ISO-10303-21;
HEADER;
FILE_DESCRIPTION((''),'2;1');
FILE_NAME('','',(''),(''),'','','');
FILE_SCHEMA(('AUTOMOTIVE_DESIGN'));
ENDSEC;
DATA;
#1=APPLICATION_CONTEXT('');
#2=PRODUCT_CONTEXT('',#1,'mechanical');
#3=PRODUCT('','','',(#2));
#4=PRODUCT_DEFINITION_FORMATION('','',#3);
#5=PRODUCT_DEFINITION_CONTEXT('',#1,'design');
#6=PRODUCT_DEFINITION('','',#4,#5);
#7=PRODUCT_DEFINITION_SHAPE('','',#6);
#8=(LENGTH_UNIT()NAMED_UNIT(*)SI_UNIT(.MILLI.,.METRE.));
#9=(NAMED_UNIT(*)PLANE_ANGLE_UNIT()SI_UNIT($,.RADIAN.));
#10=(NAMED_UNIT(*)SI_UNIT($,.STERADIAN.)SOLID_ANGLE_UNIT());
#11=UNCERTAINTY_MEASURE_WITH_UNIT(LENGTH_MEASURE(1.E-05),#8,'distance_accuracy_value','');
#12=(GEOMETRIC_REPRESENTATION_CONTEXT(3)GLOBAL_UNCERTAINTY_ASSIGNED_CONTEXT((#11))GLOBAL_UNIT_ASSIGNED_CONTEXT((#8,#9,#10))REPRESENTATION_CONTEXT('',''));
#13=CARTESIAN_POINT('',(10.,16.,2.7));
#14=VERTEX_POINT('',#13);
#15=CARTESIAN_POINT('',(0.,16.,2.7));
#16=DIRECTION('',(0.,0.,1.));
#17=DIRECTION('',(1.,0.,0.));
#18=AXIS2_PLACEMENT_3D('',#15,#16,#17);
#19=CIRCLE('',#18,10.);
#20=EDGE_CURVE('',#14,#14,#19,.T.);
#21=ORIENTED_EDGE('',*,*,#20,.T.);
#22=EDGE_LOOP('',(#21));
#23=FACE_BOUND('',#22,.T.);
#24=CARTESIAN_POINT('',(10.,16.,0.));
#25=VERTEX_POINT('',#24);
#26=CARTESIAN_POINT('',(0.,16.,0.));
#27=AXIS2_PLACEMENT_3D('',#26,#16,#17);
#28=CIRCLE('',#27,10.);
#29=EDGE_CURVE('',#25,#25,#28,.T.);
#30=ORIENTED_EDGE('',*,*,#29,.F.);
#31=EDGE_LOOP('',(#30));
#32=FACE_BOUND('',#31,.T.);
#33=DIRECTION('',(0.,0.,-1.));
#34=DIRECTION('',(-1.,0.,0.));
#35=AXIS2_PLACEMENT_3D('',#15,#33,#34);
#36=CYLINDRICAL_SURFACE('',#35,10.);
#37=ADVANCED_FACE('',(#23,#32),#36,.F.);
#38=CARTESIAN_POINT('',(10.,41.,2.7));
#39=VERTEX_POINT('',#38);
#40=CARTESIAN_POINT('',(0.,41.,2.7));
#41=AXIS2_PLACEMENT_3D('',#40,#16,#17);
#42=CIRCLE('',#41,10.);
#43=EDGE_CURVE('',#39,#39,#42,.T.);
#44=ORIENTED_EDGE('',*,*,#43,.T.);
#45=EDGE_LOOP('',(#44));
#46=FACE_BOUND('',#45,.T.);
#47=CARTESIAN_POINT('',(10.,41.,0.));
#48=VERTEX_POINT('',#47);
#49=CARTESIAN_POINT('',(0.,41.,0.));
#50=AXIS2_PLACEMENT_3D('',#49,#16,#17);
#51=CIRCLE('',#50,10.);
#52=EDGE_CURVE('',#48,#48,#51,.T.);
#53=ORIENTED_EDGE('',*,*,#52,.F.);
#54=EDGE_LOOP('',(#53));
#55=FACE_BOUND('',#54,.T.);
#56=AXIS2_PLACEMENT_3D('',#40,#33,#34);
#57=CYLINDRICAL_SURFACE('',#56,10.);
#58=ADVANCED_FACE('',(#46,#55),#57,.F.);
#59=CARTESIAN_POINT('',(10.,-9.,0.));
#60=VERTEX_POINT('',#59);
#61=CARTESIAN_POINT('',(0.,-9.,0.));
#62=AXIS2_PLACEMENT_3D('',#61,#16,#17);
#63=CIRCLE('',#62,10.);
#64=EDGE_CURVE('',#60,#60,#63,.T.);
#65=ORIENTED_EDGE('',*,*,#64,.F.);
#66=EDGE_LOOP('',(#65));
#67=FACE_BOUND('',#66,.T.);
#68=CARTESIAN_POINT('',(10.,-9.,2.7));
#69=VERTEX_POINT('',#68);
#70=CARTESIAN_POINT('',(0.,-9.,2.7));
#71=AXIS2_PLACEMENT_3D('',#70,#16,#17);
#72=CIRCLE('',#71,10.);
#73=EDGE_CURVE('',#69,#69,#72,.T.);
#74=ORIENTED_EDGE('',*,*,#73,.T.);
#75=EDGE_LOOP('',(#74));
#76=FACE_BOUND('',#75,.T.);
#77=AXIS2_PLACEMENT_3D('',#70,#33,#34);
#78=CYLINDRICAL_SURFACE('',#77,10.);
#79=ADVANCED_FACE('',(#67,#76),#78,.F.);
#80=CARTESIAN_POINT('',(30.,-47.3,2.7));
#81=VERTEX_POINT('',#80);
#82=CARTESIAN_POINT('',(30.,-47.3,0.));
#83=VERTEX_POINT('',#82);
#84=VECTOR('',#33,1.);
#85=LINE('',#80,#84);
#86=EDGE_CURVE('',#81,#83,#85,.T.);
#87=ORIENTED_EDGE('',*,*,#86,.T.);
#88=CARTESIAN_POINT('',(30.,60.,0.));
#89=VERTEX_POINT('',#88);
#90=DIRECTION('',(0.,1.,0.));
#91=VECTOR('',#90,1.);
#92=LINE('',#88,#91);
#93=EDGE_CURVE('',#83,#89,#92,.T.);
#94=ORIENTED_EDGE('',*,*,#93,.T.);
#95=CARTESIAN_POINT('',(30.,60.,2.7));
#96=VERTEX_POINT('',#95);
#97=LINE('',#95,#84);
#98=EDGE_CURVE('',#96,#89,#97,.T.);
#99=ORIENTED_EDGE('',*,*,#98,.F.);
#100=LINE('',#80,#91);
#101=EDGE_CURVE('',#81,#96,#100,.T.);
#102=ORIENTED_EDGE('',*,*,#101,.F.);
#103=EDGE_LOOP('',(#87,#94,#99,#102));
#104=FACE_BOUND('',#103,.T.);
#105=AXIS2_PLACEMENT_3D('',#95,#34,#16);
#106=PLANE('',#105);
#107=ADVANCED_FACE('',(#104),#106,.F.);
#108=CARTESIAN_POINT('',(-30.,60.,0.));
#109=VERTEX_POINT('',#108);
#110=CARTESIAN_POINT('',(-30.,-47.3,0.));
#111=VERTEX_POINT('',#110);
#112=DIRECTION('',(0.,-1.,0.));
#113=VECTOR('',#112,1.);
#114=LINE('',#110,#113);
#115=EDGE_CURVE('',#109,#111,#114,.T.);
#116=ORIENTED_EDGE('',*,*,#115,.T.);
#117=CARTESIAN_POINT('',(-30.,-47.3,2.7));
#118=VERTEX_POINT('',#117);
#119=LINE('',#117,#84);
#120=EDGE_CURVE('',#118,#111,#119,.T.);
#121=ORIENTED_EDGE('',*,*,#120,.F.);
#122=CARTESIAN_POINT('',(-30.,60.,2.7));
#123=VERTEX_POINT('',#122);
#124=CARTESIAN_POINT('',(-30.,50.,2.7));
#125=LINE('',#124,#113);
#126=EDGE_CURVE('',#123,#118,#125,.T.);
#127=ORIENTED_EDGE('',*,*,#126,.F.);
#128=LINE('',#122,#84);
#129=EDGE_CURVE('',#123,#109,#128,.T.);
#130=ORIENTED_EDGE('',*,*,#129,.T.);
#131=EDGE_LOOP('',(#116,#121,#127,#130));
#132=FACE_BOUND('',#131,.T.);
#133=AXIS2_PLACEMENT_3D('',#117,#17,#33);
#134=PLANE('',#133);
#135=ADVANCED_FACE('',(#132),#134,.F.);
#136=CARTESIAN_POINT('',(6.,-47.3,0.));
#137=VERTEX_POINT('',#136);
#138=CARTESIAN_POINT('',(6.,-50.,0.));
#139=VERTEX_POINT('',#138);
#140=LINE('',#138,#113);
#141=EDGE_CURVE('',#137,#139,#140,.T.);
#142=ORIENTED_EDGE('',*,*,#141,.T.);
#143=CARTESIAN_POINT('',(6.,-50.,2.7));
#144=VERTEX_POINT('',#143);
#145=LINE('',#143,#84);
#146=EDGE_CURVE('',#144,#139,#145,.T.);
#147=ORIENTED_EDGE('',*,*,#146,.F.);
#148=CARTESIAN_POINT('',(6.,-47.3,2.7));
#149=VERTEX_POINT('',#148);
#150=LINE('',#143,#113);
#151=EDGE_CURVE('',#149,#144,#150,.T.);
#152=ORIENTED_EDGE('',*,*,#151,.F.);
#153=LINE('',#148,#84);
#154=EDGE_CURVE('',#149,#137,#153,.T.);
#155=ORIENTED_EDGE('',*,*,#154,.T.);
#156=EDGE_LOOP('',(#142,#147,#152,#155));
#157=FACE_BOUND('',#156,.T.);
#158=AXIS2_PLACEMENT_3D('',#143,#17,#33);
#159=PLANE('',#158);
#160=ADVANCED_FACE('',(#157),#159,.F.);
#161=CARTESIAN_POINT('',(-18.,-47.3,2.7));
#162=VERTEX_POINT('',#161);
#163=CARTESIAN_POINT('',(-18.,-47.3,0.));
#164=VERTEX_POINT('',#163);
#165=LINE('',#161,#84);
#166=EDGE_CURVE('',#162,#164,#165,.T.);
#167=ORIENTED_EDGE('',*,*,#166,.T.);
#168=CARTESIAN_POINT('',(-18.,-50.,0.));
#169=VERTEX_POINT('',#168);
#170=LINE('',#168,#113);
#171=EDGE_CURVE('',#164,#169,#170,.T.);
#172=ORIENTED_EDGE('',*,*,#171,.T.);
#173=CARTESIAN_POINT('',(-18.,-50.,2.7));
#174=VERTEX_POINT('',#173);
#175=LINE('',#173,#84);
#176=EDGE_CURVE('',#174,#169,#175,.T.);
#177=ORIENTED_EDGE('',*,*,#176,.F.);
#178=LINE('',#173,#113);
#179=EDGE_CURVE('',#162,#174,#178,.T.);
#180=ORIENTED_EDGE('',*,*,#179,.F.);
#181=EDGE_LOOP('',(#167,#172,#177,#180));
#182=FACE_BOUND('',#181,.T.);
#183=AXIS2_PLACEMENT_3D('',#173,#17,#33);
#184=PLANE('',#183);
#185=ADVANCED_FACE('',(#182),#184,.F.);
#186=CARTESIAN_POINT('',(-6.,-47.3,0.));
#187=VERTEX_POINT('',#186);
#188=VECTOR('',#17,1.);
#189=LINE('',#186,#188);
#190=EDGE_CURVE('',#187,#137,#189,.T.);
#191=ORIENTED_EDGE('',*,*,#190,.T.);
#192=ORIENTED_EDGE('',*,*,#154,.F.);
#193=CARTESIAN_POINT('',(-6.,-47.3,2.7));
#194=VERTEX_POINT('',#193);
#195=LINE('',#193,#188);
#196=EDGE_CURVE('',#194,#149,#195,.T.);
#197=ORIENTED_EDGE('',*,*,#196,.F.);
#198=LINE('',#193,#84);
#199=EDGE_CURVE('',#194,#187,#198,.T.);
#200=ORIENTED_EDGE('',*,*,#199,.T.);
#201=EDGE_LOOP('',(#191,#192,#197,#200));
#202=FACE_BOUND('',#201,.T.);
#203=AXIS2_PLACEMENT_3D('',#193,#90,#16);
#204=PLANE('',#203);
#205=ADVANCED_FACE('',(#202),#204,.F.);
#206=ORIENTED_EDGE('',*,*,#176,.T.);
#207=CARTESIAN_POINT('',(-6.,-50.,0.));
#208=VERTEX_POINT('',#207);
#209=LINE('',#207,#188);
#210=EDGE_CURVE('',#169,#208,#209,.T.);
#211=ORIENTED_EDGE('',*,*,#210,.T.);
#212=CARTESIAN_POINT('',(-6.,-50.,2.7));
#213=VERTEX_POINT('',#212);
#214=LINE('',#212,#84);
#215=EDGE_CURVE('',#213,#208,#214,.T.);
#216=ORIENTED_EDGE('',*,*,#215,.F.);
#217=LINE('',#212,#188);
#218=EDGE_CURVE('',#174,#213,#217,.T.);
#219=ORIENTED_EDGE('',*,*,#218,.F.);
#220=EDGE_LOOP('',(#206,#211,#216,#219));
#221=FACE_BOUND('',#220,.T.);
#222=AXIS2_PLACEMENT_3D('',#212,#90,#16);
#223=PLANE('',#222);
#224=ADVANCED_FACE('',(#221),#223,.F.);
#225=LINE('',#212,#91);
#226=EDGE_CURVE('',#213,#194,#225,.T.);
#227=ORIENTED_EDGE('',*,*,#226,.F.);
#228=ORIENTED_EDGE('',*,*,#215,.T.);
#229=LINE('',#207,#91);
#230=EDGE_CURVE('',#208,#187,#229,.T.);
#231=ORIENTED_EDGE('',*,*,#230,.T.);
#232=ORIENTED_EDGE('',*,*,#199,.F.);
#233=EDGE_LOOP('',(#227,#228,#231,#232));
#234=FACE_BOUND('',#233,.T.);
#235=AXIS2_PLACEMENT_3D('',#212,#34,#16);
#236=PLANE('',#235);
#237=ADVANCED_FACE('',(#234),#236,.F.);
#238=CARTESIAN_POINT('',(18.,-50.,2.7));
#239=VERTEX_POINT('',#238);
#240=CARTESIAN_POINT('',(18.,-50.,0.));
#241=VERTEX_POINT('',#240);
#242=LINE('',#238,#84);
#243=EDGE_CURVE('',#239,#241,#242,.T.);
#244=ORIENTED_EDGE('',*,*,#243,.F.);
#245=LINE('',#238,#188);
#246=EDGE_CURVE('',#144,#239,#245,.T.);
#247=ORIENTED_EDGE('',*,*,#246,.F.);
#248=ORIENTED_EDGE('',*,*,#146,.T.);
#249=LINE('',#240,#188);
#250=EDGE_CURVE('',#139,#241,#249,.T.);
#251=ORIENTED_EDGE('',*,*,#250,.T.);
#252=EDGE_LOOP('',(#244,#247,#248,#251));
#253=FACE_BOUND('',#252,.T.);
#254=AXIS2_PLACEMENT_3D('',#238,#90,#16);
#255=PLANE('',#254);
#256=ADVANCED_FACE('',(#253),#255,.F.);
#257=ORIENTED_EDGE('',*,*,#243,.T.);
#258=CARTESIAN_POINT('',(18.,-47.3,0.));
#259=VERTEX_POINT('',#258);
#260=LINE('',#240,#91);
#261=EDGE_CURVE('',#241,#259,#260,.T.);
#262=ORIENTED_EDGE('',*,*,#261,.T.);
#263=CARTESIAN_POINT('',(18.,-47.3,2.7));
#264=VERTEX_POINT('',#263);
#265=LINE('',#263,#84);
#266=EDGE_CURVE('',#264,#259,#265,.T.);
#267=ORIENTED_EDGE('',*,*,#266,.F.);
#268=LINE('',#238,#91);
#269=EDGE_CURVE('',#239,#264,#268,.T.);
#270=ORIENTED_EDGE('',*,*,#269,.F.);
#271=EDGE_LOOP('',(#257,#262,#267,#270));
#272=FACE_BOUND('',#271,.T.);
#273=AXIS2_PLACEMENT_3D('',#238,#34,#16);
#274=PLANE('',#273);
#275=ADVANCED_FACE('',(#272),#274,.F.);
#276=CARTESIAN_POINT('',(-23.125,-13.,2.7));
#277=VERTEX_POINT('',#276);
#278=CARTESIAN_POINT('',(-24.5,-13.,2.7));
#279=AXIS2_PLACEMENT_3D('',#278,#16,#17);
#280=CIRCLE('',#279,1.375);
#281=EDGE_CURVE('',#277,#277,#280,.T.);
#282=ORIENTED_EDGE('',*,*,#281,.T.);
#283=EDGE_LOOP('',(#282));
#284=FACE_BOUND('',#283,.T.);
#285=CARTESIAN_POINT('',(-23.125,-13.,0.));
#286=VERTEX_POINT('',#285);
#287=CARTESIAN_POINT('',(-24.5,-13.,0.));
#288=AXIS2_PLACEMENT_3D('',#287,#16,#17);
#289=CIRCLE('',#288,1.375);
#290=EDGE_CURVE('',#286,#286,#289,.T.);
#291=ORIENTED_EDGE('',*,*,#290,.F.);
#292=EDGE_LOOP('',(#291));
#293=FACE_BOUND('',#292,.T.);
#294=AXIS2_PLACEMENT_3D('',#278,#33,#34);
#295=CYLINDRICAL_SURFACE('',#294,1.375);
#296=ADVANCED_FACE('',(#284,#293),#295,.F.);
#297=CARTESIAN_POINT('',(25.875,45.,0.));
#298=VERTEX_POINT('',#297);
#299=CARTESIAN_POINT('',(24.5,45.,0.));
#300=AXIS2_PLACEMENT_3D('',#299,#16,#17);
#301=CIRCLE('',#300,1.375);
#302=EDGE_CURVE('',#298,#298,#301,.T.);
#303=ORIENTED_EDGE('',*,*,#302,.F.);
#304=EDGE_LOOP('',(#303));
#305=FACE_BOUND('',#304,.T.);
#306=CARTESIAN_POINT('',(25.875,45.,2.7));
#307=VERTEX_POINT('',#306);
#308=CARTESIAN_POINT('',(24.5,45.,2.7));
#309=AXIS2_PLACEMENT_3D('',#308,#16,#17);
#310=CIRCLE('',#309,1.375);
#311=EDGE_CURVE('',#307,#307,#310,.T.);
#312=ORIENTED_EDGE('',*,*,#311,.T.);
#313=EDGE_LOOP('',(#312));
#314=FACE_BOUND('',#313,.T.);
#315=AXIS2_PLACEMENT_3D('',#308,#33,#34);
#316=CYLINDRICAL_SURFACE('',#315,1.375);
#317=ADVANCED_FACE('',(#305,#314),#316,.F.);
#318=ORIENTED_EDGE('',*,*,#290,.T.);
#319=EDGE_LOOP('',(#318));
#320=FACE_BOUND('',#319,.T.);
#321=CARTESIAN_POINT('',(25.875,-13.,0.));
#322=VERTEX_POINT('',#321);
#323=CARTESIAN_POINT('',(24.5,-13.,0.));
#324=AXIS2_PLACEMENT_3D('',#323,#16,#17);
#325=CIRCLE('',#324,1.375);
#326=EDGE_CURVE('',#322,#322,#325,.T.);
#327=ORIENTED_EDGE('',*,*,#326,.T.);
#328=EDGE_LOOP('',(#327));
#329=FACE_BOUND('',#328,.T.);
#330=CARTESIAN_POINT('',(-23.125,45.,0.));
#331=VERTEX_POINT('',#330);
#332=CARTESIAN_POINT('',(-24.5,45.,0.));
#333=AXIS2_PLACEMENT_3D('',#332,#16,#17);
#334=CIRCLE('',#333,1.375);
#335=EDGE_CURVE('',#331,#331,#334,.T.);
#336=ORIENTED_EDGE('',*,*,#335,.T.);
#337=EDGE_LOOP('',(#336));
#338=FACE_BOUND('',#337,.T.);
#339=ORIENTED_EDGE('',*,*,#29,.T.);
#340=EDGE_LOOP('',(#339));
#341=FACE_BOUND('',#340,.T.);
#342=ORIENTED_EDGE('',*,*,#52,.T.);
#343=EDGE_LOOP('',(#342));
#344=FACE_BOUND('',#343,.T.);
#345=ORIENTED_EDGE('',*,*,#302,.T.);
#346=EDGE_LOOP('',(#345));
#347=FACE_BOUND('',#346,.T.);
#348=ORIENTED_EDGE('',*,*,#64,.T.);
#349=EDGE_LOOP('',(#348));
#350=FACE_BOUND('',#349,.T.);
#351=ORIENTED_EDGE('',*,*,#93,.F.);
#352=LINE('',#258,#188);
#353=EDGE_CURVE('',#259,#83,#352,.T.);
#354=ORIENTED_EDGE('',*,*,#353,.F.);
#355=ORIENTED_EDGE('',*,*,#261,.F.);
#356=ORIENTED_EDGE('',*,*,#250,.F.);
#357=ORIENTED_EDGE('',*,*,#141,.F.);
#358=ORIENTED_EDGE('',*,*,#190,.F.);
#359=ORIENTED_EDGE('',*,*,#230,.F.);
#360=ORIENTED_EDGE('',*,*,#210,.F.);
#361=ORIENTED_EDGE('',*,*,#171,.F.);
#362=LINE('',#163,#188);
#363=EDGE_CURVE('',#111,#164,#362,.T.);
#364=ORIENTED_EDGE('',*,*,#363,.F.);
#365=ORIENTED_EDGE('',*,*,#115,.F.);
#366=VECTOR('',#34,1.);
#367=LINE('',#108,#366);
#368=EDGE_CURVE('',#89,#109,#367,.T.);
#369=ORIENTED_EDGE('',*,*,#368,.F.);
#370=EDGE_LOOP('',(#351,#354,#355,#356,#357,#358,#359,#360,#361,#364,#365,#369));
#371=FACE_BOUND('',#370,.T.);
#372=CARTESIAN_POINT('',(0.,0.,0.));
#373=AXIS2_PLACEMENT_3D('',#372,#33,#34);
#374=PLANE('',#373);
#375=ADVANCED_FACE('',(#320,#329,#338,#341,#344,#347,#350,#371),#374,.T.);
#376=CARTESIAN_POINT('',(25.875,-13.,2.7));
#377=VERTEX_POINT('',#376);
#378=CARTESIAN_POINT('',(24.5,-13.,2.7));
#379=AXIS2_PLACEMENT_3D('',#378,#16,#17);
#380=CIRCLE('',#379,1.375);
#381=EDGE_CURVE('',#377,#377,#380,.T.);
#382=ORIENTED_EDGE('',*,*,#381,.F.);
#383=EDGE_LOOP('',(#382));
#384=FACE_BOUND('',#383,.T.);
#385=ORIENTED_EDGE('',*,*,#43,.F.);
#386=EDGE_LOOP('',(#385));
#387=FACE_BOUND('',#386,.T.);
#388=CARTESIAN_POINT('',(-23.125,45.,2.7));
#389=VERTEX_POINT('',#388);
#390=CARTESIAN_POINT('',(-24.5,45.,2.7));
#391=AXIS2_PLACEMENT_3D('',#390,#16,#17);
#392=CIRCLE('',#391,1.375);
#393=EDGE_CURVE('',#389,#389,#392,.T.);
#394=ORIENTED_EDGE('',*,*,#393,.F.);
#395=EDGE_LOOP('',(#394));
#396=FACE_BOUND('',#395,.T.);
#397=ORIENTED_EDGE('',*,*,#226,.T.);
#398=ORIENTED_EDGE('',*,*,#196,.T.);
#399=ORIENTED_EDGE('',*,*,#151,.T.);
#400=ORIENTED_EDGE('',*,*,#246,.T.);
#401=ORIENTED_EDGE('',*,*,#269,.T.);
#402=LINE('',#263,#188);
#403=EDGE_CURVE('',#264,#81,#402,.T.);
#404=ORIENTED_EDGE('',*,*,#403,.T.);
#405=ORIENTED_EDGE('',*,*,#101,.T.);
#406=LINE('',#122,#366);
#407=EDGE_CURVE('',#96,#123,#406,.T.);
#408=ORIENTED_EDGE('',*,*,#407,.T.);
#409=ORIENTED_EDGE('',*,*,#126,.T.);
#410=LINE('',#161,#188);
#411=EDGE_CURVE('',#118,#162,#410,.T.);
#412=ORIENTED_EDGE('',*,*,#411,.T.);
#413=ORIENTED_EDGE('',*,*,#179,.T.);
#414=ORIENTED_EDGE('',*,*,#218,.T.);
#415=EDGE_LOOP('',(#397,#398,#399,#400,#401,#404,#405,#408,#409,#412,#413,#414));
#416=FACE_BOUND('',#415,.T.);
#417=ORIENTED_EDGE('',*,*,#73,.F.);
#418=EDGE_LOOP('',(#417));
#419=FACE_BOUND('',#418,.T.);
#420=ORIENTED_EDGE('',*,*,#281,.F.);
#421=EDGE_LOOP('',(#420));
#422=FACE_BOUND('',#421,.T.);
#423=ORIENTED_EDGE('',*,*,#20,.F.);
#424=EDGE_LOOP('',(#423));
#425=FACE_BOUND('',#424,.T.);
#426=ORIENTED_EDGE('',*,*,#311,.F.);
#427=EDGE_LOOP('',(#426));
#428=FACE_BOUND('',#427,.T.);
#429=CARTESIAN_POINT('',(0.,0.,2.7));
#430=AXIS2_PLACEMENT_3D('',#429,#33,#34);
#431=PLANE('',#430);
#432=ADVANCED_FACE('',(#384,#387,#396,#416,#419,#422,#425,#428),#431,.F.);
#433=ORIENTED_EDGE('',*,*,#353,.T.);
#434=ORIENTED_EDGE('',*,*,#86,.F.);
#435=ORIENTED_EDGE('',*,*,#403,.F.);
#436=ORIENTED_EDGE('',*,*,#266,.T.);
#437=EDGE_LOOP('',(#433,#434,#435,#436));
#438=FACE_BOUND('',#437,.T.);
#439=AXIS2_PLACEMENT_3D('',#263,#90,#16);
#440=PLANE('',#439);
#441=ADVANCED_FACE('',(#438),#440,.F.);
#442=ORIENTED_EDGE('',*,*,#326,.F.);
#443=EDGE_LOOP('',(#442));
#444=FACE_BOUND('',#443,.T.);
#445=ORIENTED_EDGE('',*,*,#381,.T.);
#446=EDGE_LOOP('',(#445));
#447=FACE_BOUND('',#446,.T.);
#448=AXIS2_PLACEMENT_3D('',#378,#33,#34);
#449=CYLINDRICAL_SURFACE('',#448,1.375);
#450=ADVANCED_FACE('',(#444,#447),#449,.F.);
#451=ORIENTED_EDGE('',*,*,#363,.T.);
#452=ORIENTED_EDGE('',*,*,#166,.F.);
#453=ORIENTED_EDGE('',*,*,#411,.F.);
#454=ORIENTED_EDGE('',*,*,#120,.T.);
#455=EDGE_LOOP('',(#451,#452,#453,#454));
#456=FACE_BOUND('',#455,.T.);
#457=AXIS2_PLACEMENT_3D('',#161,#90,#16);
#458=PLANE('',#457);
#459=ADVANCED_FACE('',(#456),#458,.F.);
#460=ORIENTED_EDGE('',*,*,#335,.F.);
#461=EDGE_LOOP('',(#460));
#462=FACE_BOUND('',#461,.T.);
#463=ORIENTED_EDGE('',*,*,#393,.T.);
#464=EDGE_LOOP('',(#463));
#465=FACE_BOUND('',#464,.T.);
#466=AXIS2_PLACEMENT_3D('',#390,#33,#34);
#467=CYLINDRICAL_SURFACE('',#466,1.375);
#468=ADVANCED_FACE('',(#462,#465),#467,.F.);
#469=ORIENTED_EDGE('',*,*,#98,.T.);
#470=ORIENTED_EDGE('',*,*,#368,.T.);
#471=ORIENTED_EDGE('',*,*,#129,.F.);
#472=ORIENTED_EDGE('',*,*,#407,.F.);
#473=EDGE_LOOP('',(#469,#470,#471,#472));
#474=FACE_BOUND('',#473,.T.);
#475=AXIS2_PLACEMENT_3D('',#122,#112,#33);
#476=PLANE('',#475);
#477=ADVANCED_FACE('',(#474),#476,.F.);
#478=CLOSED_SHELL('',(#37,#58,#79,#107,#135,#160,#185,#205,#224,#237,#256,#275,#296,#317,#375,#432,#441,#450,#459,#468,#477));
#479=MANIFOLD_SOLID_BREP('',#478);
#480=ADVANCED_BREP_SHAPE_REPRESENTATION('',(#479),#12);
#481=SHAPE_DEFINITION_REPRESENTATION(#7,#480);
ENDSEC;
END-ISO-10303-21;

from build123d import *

# Parameters (mm, degrees)
SKETCH1_R           = 1.375
SKETCH1_R_2         = 10
BOSS_EXTRUDE1_DEPTH = 2.7


with BuildPart() as part:
    # Sketch1 → Boss-Extrude1 (new body)
    with BuildSketch(Plane.XY):
        Polygon((30, -47.3), (30, 50), (30, 60), (-30, 60), (-30, 50), (-30, -47.3), (-18, -47.3), (-18, -50), (-6, -50), (-6, -47.3), (6, -47.3), (6, -50), (18, -50), (18, -47.3), align=None)
        with Locations((-24.5, 45)):
            Circle(SKETCH1_R, mode=Mode.SUBTRACT)
        with Locations((24.5, 45)):
            Circle(SKETCH1_R, mode=Mode.SUBTRACT)
        with Locations((-24.5, -13)):
            Circle(SKETCH1_R, mode=Mode.SUBTRACT)
        with Locations((24.5, -13)):
            Circle(SKETCH1_R, mode=Mode.SUBTRACT)
        with Locations((0, 16)):
            Circle(SKETCH1_R_2, mode=Mode.SUBTRACT)
        with Locations((0, 41)):
            Circle(SKETCH1_R_2, mode=Mode.SUBTRACT)
        with Locations((0, -9)):
            Circle(SKETCH1_R_2, mode=Mode.SUBTRACT)
    extrude(amount=BOSS_EXTRUDE1_DEPTH)


solid = part.part
